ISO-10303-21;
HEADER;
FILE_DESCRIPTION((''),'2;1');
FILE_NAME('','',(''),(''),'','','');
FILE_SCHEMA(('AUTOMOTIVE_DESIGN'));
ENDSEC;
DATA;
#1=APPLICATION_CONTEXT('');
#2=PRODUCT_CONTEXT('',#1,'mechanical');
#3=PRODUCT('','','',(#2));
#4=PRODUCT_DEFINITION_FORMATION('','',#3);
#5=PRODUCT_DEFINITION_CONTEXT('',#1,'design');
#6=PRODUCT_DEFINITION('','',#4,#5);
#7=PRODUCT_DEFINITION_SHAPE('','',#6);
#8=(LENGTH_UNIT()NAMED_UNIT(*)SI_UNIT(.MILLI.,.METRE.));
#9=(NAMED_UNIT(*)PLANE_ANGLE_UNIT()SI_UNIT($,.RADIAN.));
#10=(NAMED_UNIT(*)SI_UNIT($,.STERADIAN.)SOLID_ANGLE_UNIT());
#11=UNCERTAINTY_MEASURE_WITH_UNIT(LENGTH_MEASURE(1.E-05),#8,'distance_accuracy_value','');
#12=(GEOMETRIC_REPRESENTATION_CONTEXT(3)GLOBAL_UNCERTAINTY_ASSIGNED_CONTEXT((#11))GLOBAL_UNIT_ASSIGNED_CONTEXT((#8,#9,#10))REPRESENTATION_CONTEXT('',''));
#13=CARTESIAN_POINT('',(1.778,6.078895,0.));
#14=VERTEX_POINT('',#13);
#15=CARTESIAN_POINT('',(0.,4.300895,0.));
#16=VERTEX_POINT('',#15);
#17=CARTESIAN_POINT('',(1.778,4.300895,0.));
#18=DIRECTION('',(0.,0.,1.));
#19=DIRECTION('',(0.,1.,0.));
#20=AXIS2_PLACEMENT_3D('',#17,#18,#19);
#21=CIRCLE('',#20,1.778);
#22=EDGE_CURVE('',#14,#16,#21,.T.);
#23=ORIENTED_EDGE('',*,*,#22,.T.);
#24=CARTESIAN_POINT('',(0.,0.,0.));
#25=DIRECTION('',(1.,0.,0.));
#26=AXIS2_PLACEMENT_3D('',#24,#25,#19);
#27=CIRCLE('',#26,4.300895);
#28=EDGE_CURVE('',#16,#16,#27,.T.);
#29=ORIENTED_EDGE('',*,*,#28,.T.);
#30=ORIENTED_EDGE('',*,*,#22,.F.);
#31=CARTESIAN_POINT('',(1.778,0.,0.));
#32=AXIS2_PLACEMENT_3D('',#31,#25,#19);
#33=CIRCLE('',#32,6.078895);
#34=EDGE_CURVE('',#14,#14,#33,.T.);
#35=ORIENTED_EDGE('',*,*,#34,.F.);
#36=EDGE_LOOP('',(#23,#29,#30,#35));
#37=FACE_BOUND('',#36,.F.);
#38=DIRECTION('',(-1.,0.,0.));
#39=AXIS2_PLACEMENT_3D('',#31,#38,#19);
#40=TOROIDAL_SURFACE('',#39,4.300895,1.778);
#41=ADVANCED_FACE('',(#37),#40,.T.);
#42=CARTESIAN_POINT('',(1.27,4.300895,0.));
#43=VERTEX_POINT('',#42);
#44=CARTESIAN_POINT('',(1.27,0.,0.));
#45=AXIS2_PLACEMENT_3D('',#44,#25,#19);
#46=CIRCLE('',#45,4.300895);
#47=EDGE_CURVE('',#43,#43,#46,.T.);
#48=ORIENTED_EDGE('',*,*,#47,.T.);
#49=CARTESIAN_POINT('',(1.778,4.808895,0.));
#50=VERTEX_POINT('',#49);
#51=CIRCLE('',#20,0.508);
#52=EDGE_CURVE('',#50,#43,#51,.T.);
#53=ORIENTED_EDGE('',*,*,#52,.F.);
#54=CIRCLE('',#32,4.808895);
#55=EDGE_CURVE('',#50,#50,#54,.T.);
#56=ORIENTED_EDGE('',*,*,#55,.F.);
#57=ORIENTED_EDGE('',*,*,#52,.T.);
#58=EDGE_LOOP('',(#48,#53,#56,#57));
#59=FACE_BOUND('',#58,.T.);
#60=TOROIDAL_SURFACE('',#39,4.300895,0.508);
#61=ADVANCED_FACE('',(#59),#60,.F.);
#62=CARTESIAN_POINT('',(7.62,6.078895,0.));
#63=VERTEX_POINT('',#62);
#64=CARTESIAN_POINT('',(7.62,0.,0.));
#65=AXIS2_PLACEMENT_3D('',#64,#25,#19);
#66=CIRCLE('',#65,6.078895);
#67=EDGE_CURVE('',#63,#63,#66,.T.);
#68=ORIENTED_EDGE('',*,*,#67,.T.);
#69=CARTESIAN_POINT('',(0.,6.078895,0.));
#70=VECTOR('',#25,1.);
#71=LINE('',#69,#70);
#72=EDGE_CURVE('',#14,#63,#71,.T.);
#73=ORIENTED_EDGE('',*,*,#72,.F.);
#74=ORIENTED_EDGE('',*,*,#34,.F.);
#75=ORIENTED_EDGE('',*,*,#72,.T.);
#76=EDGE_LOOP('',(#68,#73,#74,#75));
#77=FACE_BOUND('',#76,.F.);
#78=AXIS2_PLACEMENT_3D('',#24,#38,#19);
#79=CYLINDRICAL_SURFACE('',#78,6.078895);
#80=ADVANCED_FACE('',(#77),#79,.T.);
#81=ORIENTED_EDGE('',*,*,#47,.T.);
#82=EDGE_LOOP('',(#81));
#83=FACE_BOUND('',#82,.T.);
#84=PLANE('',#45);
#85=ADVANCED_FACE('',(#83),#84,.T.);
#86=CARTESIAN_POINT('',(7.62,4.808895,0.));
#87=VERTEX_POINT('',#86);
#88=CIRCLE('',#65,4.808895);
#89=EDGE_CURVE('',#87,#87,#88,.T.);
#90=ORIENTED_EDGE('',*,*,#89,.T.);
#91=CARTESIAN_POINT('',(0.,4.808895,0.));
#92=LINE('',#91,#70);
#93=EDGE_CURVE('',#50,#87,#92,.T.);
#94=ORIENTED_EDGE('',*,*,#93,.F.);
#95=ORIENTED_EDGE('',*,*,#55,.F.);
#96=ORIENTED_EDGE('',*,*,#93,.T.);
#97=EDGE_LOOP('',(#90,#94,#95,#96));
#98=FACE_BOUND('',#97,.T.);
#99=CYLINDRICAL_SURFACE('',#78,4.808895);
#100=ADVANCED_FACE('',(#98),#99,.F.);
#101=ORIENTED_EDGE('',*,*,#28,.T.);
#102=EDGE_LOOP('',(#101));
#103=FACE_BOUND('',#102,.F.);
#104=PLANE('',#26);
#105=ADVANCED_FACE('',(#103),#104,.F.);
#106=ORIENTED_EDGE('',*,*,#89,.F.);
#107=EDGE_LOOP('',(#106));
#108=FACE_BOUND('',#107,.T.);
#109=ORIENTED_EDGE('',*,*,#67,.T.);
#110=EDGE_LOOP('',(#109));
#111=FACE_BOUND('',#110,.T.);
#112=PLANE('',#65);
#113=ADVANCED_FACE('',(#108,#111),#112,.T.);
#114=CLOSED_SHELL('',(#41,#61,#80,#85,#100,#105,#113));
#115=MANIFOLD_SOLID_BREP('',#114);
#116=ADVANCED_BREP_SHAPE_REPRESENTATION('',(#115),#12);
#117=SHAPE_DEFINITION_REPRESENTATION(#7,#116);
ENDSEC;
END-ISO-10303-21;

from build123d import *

# Parameters (mm, degrees)
F0_R     = 6.078895
F1_DEPTH = 7.62
F2_R     = 1.778
F3_T     = -1.27


with BuildPart() as f1:
    # F0 (on Right) → F1 (new body)
    with BuildSketch(Plane.YZ):
        Circle(F0_R)
    extrude(amount=F1_DEPTH)

    # F2
    f2_edges = [f1.edges().sort_by_distance(p)[0] for p in [
        (0, -6.078895, 0),
    ]]
    fillet(f2_edges, radius=F2_R)

    # F3
    f3_openings = [f1.faces().sort_by_distance(p)[0] for p in [
        (7.62, 0, 0),
    ]]
    offset(amount=F3_T, openings=f3_openings)


solid = f1.part
